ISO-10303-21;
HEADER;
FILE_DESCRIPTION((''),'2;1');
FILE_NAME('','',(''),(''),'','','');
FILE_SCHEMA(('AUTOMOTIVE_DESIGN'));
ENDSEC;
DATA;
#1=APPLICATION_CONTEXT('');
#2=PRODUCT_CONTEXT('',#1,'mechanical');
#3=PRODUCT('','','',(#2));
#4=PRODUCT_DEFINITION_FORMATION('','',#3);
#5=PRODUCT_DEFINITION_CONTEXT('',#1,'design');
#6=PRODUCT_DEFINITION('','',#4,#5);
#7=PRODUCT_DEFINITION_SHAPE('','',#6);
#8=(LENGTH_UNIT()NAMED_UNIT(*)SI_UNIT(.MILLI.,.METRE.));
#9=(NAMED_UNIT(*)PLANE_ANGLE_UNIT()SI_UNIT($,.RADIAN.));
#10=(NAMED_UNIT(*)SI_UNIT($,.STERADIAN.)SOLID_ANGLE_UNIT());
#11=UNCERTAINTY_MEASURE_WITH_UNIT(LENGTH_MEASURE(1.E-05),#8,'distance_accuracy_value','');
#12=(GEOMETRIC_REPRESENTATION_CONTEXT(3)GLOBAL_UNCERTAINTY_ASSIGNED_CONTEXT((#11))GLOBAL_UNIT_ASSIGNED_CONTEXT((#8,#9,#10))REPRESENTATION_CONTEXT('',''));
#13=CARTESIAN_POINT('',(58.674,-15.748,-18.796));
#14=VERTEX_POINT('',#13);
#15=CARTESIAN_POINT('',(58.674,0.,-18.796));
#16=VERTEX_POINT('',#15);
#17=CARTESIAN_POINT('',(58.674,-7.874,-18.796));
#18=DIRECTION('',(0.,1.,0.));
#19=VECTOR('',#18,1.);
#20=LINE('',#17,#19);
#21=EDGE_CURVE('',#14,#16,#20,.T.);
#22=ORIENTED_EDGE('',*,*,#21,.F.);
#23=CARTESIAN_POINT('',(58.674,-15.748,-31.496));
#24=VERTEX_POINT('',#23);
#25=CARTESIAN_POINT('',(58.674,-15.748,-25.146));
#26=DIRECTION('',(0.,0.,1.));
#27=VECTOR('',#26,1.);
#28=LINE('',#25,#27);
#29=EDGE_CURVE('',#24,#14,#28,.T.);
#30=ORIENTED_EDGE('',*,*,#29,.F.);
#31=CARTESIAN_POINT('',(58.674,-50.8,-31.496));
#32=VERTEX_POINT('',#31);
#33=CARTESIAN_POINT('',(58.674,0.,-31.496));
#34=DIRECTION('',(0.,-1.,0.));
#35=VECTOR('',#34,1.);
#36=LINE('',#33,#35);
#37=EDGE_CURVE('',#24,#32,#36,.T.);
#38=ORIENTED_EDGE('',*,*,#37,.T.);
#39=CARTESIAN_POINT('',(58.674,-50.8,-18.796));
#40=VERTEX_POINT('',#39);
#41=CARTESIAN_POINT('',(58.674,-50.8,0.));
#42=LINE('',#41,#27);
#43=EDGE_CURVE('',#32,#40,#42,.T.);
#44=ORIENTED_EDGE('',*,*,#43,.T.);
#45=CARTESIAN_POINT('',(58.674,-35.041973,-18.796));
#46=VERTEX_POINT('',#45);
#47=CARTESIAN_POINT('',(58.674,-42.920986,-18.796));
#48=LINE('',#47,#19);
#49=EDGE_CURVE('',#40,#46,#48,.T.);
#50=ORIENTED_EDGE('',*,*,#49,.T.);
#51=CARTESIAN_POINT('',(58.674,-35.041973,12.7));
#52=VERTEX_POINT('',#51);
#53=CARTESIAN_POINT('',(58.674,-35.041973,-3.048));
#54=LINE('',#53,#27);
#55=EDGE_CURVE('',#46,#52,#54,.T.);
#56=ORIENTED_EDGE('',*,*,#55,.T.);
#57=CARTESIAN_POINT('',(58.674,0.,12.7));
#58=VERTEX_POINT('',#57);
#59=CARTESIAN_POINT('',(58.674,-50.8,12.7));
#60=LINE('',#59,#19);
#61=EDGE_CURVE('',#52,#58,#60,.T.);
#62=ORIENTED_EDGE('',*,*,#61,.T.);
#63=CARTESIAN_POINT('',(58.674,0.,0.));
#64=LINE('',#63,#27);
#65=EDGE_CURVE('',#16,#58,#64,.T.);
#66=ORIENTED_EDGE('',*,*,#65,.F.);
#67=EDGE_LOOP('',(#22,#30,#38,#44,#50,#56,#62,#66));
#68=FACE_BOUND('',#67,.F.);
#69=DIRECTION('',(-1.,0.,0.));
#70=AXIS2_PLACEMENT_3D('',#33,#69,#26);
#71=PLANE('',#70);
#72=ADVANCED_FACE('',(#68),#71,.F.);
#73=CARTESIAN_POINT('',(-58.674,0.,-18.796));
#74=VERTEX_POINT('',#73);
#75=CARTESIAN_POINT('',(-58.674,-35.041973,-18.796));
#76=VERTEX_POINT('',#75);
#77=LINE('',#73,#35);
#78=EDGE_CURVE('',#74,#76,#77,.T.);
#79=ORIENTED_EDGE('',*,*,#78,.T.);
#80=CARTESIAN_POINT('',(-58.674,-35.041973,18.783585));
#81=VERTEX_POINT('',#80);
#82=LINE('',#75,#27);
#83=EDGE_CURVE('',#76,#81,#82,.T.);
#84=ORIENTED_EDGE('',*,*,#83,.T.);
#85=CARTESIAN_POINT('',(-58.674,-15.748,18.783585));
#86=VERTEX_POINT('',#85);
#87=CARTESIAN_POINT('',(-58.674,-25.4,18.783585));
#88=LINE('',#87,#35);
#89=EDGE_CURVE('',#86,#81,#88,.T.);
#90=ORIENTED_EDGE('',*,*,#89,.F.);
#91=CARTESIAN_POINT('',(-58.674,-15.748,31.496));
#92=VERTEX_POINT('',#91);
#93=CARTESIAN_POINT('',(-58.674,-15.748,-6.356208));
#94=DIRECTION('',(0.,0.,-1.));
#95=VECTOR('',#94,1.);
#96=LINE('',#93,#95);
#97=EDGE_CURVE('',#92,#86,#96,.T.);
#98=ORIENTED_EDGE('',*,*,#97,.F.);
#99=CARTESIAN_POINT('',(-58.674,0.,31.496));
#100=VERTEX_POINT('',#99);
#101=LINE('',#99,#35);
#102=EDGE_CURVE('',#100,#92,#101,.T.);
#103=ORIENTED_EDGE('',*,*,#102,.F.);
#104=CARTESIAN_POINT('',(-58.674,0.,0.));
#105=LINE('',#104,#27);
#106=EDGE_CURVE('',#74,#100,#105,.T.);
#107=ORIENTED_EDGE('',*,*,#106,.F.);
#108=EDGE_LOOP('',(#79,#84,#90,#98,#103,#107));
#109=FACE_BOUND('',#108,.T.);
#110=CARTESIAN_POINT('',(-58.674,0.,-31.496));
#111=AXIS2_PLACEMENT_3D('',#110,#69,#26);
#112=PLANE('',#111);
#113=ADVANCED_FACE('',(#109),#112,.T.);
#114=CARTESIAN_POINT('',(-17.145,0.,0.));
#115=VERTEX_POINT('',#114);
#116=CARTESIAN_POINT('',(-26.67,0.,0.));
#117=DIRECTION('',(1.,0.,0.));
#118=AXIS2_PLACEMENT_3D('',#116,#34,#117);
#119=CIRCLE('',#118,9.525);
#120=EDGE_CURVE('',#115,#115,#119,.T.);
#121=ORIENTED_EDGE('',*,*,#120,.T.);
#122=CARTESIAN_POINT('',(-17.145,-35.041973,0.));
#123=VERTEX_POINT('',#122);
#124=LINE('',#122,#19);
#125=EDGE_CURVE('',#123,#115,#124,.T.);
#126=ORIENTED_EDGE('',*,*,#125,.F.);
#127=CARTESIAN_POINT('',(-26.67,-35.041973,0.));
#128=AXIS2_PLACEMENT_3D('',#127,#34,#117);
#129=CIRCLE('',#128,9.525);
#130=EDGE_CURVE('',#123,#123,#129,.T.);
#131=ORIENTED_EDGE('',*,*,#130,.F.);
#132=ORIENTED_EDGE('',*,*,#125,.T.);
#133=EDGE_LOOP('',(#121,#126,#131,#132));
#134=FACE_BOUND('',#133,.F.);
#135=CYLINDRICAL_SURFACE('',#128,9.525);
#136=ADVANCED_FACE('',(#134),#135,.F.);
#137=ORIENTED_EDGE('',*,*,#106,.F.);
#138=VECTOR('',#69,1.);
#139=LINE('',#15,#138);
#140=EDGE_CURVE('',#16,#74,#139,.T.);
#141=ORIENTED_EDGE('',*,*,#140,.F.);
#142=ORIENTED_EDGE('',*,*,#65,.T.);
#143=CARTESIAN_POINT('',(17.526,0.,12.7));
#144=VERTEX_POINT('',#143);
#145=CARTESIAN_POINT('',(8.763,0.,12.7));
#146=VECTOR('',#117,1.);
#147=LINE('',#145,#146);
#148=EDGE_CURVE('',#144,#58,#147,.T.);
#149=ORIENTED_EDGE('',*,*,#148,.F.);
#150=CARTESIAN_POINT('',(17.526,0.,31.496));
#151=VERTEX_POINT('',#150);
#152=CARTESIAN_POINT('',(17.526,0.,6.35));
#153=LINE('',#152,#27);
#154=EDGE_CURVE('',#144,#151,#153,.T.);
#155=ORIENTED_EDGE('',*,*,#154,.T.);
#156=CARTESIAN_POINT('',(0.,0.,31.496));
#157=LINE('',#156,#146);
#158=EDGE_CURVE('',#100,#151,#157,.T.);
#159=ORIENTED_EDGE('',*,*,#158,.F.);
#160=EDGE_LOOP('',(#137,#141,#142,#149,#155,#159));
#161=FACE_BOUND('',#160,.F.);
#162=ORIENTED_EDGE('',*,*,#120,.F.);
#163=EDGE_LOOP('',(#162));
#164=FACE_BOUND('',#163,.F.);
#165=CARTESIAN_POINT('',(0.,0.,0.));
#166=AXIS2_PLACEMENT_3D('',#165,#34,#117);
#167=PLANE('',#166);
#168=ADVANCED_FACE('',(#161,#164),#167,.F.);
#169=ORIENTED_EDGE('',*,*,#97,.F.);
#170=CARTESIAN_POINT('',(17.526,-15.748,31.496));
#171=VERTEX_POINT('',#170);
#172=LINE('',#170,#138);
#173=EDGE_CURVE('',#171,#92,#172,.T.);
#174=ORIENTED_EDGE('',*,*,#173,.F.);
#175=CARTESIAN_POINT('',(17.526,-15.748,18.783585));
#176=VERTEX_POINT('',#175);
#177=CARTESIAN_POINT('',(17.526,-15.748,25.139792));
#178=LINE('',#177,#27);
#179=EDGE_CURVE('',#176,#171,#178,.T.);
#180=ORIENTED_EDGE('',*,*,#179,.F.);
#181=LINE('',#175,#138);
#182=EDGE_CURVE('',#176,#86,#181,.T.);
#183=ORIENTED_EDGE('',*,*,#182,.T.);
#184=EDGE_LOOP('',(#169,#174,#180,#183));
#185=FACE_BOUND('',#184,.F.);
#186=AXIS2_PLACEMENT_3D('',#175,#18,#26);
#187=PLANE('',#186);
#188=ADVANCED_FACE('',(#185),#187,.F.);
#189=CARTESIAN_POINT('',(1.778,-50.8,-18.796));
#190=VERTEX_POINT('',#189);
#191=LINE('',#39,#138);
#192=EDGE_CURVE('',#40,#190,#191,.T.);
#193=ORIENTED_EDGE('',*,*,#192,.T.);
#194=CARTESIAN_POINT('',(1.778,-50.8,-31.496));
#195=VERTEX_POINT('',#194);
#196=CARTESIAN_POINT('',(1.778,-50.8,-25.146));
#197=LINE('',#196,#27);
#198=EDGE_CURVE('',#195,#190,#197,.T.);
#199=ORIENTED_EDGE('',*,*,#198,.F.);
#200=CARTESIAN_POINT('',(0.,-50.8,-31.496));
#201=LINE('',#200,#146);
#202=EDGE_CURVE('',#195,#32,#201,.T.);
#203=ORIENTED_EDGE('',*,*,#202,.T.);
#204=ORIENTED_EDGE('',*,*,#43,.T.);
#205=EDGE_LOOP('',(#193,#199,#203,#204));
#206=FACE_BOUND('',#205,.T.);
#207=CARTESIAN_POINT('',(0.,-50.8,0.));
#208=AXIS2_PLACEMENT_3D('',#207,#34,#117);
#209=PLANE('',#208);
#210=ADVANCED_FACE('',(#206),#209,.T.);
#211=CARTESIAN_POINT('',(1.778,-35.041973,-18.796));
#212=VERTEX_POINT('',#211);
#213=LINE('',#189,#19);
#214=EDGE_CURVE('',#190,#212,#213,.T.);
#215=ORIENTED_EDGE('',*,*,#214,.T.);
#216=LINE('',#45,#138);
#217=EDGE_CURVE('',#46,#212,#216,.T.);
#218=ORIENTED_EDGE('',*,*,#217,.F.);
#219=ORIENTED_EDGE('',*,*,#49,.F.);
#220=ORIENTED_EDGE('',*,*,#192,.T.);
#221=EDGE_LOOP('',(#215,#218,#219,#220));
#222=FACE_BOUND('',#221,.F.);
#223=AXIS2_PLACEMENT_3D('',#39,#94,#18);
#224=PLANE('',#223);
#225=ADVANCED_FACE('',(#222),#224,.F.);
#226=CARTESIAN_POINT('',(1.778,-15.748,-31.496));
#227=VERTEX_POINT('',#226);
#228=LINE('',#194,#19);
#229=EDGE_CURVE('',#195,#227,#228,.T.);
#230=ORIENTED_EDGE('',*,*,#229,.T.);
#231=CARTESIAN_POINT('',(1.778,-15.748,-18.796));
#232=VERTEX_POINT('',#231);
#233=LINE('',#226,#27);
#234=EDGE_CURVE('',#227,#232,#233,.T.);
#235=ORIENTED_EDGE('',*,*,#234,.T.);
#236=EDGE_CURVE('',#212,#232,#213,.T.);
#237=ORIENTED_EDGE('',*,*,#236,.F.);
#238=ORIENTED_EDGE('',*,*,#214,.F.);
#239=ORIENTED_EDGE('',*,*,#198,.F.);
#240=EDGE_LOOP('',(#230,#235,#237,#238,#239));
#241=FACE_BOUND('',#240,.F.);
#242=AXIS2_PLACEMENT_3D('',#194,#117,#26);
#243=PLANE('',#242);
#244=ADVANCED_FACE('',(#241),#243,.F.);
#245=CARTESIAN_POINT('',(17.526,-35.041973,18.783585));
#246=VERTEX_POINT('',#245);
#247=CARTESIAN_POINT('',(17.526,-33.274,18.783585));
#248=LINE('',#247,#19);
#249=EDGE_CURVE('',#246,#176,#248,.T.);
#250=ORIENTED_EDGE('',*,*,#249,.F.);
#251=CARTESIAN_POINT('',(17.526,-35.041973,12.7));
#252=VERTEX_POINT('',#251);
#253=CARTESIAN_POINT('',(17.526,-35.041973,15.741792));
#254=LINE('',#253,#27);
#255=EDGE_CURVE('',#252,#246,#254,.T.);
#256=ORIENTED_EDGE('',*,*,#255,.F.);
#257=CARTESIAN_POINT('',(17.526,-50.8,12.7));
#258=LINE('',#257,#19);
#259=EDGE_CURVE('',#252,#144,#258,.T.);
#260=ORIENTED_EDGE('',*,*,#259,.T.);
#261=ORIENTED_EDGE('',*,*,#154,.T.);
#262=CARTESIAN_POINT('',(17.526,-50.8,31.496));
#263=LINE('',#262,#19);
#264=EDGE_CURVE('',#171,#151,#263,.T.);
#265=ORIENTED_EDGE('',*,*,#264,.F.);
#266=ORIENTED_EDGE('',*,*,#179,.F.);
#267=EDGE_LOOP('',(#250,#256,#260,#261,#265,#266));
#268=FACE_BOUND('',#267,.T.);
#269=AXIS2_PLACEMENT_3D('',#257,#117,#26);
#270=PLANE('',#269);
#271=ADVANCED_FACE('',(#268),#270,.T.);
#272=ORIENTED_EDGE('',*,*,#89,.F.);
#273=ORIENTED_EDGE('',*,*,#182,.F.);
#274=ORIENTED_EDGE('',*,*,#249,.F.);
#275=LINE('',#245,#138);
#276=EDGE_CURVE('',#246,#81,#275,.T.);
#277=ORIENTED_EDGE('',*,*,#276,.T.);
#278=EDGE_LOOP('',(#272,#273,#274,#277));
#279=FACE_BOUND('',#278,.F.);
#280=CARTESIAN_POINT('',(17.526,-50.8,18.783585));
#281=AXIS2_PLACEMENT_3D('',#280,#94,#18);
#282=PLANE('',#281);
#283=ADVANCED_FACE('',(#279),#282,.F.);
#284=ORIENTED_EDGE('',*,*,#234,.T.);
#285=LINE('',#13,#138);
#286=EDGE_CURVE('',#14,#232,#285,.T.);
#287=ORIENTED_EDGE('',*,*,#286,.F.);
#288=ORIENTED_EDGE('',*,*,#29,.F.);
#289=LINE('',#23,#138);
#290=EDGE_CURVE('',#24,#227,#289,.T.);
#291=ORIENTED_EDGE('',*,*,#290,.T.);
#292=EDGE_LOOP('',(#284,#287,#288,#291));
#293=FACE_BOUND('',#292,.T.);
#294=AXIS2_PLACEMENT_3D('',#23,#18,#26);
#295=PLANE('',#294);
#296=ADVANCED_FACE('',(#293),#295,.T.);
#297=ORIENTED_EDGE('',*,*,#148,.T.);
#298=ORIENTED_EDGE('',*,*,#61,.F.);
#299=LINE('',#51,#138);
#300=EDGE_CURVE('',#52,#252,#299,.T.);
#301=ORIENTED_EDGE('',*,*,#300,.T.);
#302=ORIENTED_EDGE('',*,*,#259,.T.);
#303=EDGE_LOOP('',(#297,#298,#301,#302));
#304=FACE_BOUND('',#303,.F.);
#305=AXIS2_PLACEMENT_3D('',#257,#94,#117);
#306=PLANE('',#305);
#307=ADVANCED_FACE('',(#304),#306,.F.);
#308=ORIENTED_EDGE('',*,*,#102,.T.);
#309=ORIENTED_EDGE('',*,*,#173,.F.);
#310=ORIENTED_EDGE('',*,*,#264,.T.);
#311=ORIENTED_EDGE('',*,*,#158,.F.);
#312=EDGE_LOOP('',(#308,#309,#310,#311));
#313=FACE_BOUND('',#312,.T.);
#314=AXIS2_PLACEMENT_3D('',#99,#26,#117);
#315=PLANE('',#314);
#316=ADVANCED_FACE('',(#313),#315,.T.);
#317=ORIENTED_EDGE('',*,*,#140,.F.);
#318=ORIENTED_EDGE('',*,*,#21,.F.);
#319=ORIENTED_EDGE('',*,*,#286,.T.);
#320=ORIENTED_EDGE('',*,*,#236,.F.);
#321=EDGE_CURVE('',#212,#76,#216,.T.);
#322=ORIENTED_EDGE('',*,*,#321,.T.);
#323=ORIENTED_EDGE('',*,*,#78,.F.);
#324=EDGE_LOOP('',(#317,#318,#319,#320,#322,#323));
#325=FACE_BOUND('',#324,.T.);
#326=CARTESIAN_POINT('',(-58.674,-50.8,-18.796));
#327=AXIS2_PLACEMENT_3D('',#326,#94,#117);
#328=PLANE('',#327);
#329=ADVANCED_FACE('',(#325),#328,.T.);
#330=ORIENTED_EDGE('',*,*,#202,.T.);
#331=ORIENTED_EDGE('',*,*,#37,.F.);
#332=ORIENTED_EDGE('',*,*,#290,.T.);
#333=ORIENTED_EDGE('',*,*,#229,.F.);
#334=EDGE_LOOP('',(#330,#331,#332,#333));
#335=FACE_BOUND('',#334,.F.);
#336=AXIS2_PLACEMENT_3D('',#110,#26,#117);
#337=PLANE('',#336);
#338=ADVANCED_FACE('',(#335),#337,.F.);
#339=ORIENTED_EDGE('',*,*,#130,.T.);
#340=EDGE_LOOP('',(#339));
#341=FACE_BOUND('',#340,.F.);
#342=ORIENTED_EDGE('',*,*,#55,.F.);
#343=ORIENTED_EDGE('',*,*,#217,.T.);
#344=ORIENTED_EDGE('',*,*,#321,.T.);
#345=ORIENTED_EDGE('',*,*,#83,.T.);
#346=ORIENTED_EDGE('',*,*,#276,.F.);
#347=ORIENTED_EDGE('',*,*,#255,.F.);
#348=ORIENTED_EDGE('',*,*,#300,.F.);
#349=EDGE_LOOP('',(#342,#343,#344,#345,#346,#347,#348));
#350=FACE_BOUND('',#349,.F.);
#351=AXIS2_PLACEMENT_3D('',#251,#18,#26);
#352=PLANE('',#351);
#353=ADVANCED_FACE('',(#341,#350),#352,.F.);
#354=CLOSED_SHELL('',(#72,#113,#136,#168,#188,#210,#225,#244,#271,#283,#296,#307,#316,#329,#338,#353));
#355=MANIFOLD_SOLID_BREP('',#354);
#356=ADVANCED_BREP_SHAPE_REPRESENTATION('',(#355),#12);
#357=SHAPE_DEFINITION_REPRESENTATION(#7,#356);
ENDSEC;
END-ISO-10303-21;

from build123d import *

# Parameters (mm, degrees)
F0_W      = 117.348
F0_H      = 62.992
F1_DEPTH  = 50.8
F2_W      = 41.148
F2_H      = 18.796
F3_DEPTH  = 50.801
F4_W      = 60.452
F4_H      = 12.7
F5_DEPTH  = 50.801
F6_W      = 35.052
F6_H      = 12.7124151424
F7_DEPTH  = 76.201
F8_W      = 15.7580270052
F8_H      = 31.496
F9_DEPTH  = 117.349
F10_W     = 15.7580270052
F10_H     = 6.0835848576
F11_DEPTH = 76.201
F12_W     = 15.748
F12_H     = 12.7
F13_DEPTH = 117.349
F14_R     = 9.525
F15_DEPTH = 35.0429729948


with BuildPart() as f1:
    # F0 (on Front) → F1 (new body)
    with BuildSketch(Plane.XZ):
        Rectangle(F0_W, F0_H)
    extrude(amount=F1_DEPTH)

    # F2 (on face) → F3 (cut, through all)
    with BuildSketch(Plane.XZ.offset(50.8)):
        with Locations((38.1, 22.098)):
            Rectangle(F2_W, F2_H)
    extrude(amount=-F3_DEPTH, mode=Mode.SUBTRACT)

    # F4 (on face) → F5 (cut, through all)
    with BuildSketch(Plane.XZ.offset(50.8)):
        with Locations((-28.448, -25.146)):
            Rectangle(F4_W, F4_H)
    extrude(amount=-F5_DEPTH, mode=Mode.SUBTRACT)

    # F6 (on face) → F7 (cut, through all)
    with BuildSketch(Plane.YZ.offset(17.526)):
        with Locations((-33.274, 25.1397924288)):
            Rectangle(F6_W, F6_H)
    extrude(amount=-F7_DEPTH, mode=Mode.SUBTRACT)

    # F8 (on face) → F9 (cut, through all)
    with BuildSketch(Plane.YZ.offset(58.674)):
        with Locations((-42.9209864974, -3.048)):
            Rectangle(F8_W, F8_H)
    extrude(amount=-F9_DEPTH, mode=Mode.SUBTRACT)

    # F10 (on face) → F11 (cut, through all)
    with BuildSketch(Plane.YZ.offset(17.526)):
        with Locations((-42.9209864974, 15.7417924288)):
            Rectangle(F10_W, F10_H)
    extrude(amount=-F11_DEPTH, mode=Mode.SUBTRACT)

    # F12 (on face) → F13 (cut, through all)
    with BuildSketch(Plane.YZ.offset(58.674)):
        with Locations((-7.874, -25.146)):
            Rectangle(F12_W, F12_H)
    extrude(amount=-F13_DEPTH, mode=Mode.SUBTRACT)

    # F14 (on face) → F15 (cut, through all)
    with BuildSketch(Plane.XZ.offset(35.0419729948)):
        with Locations((-26.67, 0)):
            Circle(F14_R)
    extrude(amount=-F15_DEPTH, mode=Mode.SUBTRACT)


solid = f1.part
